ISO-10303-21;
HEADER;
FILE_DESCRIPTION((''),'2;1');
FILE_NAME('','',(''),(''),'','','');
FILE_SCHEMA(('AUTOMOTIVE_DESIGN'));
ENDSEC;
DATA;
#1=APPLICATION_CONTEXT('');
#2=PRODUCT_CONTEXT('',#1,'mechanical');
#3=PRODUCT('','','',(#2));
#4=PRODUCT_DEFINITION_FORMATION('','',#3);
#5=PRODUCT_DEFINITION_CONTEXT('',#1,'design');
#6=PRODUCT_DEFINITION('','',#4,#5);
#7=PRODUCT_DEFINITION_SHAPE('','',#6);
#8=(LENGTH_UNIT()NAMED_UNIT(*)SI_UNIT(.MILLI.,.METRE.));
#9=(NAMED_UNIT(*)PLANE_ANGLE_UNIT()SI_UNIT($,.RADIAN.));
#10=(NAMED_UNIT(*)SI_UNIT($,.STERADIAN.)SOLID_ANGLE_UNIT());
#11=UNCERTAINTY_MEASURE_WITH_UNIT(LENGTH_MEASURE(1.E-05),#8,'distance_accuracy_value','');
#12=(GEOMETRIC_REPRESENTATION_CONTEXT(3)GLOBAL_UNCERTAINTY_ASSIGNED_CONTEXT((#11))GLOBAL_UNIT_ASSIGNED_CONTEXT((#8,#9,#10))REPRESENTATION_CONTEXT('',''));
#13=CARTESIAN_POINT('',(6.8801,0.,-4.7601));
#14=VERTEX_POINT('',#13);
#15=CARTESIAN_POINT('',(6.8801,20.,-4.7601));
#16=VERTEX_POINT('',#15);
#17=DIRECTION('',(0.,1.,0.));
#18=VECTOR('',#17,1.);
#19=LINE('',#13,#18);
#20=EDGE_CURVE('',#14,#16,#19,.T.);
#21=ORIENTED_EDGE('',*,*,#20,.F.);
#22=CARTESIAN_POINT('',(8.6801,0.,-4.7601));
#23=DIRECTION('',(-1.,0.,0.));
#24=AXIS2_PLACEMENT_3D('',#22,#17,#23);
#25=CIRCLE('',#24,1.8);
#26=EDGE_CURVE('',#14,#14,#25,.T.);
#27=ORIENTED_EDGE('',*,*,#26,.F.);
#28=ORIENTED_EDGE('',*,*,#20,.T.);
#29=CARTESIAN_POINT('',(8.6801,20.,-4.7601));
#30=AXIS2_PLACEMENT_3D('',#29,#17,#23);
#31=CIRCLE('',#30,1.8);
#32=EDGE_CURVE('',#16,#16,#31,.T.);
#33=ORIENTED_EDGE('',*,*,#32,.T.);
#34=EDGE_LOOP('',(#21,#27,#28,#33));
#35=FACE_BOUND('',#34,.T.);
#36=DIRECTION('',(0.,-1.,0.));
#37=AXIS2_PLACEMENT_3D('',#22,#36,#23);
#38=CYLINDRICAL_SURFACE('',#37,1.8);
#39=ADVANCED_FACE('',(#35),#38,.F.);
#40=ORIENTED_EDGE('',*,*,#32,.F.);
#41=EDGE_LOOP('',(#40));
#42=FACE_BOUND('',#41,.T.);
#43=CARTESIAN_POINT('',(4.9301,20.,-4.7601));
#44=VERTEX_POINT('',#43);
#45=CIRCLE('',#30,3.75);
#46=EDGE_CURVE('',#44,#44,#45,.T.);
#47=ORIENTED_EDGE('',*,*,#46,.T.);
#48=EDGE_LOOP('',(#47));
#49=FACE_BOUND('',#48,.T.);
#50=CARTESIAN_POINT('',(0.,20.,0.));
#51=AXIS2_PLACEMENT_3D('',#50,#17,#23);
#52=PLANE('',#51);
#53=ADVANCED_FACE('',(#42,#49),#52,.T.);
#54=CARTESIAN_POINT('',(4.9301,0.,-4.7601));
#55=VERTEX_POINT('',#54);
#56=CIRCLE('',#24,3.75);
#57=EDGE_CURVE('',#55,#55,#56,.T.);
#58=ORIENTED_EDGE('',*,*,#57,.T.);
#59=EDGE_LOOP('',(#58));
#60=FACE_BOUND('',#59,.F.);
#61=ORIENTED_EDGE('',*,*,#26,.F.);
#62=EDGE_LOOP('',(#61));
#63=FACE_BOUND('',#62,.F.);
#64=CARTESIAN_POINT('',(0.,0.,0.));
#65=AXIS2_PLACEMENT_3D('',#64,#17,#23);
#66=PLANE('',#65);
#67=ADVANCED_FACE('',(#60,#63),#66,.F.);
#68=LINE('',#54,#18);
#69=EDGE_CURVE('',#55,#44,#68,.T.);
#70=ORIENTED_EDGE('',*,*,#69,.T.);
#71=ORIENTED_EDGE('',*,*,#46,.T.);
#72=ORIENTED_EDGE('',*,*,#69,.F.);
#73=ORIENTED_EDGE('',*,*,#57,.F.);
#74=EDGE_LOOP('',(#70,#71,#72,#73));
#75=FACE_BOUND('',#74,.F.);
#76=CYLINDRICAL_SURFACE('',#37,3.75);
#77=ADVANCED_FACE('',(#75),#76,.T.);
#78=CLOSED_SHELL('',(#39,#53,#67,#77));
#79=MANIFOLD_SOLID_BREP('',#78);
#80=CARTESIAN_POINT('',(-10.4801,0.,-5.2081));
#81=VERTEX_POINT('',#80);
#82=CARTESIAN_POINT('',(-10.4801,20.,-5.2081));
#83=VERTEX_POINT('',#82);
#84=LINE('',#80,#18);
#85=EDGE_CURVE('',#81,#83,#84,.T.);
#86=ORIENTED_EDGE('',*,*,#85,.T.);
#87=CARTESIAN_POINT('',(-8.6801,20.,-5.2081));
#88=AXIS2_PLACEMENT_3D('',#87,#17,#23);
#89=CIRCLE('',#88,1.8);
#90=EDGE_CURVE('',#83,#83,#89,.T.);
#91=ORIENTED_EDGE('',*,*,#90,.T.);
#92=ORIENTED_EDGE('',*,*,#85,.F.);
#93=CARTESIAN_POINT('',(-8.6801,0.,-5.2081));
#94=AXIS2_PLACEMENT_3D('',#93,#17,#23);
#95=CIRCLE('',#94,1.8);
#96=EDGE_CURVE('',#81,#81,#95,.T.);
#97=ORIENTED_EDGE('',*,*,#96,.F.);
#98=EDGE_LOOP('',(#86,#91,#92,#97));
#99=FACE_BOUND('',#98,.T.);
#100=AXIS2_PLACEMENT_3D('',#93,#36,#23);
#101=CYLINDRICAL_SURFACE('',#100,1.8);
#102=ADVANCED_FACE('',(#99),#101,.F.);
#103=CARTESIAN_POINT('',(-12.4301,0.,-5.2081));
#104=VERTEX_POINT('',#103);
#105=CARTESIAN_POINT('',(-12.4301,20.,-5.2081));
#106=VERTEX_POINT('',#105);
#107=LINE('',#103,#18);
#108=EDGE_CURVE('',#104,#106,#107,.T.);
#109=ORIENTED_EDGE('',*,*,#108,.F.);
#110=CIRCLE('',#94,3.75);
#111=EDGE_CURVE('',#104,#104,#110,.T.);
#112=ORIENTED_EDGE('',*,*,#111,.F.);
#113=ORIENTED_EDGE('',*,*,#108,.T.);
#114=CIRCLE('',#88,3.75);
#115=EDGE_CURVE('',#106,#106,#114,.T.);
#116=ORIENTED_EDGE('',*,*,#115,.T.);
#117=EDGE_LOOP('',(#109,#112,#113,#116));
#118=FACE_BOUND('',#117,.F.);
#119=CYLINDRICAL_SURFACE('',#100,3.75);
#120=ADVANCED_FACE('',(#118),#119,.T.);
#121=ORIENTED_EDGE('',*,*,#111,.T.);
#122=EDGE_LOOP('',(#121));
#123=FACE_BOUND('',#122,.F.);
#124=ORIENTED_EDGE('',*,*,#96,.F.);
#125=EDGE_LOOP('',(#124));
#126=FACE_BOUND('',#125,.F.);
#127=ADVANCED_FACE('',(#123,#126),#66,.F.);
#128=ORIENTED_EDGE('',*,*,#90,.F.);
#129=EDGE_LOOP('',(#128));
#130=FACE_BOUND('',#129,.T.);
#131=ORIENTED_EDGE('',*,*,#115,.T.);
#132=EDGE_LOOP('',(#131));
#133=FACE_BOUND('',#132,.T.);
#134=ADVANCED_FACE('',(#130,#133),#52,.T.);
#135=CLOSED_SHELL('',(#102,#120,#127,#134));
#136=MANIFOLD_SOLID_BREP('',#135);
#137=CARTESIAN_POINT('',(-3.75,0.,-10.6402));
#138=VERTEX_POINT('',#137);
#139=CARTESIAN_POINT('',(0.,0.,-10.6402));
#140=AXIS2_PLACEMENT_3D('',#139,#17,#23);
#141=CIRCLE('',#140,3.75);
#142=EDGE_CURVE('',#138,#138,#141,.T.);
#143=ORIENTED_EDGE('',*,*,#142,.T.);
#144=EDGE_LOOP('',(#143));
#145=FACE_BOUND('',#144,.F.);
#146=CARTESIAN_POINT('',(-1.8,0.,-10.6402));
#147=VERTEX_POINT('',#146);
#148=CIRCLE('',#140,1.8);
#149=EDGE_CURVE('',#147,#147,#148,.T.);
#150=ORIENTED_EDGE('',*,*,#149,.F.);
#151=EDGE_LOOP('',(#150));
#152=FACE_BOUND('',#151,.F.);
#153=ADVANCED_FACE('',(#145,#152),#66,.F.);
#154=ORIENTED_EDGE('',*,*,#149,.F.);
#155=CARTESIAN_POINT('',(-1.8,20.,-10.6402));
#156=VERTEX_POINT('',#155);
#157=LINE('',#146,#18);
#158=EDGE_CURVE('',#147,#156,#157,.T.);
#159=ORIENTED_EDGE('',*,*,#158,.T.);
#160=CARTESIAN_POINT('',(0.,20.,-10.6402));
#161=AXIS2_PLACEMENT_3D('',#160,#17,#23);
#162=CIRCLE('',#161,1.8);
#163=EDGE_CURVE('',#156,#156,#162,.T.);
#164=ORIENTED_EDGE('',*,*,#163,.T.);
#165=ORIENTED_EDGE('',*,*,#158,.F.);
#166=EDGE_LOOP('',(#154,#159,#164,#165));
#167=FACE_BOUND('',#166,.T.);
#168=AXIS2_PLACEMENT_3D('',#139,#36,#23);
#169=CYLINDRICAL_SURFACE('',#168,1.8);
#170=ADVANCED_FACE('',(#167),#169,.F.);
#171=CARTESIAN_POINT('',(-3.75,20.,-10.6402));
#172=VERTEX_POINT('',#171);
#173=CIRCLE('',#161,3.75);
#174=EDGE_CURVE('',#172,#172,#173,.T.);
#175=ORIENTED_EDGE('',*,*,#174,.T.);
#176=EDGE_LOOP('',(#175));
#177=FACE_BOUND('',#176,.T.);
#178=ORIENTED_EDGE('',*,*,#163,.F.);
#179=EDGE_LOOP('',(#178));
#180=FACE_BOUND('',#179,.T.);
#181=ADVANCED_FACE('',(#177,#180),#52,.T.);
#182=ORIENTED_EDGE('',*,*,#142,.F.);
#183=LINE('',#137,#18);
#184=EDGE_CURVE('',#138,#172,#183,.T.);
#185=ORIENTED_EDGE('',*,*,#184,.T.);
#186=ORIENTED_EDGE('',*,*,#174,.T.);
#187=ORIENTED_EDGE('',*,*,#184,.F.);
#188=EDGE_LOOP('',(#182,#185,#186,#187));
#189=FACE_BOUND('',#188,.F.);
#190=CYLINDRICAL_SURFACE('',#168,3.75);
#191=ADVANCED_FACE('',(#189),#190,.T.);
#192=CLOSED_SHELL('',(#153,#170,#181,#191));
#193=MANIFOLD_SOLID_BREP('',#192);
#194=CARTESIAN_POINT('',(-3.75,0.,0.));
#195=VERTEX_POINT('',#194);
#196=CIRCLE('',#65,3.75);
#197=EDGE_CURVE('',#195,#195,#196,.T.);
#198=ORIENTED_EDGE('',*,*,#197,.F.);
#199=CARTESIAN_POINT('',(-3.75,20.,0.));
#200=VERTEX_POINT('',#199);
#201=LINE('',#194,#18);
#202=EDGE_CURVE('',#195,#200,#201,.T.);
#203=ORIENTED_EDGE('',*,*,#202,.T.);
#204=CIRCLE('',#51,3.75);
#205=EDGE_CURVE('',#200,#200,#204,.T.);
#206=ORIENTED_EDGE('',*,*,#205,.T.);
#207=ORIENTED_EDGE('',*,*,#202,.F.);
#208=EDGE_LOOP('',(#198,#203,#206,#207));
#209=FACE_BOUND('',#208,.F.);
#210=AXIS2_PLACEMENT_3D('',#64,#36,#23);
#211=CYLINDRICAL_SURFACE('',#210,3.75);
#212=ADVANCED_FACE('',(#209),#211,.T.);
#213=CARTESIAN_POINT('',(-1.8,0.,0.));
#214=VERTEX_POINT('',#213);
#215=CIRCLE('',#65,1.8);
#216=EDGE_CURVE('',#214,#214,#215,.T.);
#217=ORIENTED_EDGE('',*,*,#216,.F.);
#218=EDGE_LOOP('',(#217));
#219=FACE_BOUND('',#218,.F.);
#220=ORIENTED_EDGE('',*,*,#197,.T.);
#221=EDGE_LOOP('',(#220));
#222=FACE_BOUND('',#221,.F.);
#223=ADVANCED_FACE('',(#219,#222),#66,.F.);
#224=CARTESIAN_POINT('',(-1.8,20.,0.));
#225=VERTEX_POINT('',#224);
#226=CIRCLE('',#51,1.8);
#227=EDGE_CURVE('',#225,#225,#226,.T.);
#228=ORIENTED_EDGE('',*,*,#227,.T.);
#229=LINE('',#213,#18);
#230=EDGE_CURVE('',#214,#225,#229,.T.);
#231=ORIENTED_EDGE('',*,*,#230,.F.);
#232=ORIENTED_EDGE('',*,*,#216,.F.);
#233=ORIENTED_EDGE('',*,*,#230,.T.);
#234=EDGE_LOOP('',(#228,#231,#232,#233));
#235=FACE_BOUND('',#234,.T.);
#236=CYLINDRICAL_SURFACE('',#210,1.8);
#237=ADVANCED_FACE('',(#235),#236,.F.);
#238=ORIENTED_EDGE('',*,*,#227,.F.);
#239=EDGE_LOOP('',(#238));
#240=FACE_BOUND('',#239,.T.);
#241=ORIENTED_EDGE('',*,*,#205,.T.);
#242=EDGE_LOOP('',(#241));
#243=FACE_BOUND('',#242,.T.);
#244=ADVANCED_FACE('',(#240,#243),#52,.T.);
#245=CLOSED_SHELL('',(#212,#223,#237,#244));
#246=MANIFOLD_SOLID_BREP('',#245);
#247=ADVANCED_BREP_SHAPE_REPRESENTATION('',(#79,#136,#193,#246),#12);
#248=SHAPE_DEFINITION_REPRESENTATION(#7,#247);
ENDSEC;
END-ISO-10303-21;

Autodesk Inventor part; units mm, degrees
ref_plane "YZ Plane" through (0, 0, 0) normal (1, 0, 0) x (0, 1, 0)
ref_plane "XZ Plane" through (0, 0, 0) normal (0, 1, 0) x (-1, 0, 0)
ref_plane "XY Plane" through (0, 0, 0) normal (0, 0, 1) x (1, 0, 0)
sketch "Sketch1" plane through (0, 0, 0) normal (0, 1, 0) x (-1, 0, 0)
  circle A0 centre (0, 0) radius 1.8
  circle A1 centre (0, 0) radius 3.75
  circle A2 centre (0, -10.6402) radius 1.8
  circle A3 centre (0, -10.6402) radius 3.75
  circle A4 centre (8.6801, -5.2081) radius 1.8
  circle A5 centre (8.6801, -5.2081) radius 3.75
  circle A6 centre (-8.6801, -4.7601) radius 1.8
  circle A7 centre (-8.6801, -4.7601) radius 3.75
  dimension "d0" = 3.6
  dimension "d1" = 7.5
  dimension "d4" = 3.6
  dimension "d5" = 7.5
  dimension "d6" = 3.6
  dimension "d7" = 7.5
  dimension "d8" = 3.6
  dimension "d9" = 7.5
extrude "Extrusion1" add sketch "Sketch1" along normal blind 20
properties part number "Standoff"
